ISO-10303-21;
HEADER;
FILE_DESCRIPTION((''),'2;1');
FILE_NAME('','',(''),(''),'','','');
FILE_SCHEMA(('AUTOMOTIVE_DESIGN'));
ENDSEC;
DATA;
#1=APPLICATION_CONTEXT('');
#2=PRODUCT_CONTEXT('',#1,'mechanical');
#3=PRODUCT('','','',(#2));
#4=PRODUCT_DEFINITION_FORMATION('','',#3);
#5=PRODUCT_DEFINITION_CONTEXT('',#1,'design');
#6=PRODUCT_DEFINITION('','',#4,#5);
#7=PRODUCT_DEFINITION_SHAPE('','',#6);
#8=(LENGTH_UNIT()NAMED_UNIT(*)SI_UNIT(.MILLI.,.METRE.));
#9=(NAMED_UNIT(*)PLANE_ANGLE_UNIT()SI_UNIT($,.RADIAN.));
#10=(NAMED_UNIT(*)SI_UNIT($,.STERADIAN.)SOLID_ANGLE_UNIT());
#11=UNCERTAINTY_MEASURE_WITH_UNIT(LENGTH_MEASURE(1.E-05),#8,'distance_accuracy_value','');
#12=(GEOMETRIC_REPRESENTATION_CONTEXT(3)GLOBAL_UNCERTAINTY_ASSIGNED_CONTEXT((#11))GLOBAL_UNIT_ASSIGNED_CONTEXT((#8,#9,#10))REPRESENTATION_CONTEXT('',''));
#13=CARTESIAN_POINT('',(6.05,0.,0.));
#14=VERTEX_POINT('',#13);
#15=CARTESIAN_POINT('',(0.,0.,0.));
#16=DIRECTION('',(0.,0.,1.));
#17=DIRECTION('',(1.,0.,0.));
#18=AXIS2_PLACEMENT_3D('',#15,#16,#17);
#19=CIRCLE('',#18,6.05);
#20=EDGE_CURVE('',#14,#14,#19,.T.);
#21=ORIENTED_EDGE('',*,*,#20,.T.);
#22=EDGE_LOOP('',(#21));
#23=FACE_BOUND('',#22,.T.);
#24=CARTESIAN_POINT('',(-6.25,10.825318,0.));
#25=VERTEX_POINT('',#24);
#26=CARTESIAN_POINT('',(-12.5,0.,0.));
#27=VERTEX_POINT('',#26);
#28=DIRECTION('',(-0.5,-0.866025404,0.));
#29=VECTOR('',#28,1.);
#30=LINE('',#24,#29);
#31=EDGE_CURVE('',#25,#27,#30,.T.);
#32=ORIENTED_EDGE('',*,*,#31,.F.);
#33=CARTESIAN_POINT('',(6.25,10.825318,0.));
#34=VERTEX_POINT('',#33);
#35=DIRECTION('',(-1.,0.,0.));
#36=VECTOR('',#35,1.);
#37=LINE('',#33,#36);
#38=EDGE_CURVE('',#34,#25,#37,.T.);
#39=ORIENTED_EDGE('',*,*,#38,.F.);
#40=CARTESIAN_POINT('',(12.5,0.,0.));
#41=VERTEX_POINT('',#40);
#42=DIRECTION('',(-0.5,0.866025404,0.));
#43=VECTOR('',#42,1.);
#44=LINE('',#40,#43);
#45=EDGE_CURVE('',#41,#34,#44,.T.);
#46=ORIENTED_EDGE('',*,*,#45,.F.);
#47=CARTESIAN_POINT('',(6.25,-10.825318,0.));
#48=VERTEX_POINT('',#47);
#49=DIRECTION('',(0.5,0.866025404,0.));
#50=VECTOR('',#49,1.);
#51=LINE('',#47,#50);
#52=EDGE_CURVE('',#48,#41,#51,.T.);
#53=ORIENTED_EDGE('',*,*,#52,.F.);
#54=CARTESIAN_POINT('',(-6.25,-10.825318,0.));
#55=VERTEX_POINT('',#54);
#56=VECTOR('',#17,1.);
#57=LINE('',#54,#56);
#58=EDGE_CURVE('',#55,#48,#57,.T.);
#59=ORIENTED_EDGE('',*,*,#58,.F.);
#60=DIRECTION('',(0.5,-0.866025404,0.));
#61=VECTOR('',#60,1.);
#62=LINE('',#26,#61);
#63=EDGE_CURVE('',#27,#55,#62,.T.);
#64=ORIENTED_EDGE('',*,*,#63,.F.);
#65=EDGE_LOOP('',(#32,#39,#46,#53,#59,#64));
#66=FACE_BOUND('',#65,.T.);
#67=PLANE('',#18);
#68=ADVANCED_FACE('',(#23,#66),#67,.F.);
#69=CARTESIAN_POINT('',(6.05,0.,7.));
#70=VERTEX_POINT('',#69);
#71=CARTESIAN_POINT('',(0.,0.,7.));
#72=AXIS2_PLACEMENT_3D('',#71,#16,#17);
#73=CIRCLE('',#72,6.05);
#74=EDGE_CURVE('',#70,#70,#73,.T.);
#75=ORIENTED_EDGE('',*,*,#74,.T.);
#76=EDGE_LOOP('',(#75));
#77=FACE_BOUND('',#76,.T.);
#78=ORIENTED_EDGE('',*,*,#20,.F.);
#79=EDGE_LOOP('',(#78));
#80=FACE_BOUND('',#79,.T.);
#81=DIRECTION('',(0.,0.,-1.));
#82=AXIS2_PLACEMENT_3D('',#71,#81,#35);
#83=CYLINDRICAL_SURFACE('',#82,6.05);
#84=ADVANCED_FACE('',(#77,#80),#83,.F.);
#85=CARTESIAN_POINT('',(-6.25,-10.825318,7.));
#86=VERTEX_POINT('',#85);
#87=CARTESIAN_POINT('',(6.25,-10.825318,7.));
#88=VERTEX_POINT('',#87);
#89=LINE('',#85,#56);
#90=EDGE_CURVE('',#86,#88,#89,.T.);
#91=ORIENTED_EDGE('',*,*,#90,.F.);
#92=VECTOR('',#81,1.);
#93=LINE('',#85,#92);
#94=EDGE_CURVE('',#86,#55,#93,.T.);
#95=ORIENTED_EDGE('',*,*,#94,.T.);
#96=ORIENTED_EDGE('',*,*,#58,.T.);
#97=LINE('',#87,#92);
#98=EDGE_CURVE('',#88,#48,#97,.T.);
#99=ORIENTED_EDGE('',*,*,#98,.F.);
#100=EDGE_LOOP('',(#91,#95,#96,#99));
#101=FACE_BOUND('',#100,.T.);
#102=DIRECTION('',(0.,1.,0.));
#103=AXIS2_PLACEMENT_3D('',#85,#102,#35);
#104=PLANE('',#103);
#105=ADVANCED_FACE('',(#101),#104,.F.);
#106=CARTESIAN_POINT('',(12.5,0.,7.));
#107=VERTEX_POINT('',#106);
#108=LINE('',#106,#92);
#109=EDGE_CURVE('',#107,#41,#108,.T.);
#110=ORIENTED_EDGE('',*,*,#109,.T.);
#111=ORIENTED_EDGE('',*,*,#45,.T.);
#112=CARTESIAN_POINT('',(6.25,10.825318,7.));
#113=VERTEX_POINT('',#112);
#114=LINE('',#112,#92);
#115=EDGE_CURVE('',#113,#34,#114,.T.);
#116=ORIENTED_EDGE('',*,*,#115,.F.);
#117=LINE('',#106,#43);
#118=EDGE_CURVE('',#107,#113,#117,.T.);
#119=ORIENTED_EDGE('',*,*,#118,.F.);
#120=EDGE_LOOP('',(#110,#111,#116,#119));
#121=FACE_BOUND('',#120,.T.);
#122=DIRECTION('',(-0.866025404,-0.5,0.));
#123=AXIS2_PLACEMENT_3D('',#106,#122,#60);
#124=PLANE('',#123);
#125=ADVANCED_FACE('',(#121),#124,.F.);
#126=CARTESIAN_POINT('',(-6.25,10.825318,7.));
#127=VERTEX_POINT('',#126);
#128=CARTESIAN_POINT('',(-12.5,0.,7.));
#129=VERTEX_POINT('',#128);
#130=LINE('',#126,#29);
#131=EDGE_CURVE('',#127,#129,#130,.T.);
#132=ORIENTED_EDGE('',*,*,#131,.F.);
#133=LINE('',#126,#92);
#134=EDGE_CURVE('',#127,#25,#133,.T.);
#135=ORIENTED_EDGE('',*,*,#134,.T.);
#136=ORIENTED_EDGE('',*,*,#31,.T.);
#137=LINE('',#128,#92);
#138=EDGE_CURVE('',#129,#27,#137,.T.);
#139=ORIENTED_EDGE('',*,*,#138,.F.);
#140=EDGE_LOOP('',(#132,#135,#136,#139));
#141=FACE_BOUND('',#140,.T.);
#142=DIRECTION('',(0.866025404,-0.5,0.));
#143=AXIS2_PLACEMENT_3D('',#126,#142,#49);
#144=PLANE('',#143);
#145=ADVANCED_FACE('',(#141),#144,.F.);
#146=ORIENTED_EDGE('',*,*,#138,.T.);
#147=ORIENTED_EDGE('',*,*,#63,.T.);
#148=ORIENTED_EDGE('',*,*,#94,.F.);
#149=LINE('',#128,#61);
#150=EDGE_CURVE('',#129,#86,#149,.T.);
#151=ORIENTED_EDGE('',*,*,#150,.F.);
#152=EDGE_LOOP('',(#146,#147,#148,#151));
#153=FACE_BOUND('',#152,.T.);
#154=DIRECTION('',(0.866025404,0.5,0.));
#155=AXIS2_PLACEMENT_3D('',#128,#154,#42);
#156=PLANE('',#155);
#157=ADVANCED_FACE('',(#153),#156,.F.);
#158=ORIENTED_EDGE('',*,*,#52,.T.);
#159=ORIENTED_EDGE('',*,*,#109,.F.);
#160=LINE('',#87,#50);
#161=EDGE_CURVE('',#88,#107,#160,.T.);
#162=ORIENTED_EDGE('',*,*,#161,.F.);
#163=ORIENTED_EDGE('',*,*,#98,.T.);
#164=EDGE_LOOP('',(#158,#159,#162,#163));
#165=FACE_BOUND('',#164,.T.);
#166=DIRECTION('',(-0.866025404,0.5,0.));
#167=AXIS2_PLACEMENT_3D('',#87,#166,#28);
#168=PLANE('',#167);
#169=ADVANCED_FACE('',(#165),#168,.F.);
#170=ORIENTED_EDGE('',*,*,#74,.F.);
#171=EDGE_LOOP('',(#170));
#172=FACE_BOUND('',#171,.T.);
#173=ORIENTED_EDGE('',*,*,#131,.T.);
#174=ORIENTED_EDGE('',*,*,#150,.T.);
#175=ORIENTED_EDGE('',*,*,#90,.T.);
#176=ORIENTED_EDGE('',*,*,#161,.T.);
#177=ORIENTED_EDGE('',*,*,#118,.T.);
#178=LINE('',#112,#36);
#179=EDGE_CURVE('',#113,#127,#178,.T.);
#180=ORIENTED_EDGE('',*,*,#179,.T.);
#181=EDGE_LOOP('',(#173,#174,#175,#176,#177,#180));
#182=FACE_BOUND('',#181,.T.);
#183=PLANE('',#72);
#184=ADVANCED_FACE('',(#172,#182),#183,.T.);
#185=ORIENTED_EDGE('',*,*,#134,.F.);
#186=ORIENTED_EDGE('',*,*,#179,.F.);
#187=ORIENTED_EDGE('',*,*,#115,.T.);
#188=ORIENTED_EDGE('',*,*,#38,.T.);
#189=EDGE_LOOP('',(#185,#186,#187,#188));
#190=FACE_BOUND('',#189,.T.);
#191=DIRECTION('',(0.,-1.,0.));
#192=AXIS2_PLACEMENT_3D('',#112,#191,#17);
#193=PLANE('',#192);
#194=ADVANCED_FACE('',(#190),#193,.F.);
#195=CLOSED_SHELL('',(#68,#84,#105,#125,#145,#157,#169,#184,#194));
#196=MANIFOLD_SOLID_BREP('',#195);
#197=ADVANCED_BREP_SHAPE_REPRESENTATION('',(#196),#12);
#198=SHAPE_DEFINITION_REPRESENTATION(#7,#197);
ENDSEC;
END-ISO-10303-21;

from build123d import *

# Parameters (mm, degrees)
SKETCH2_R           = 6.05
BOSS_EXTRUDE1_DEPTH = 7


with BuildPart() as part:
    # Sketch2 → Boss-Extrude1 (new body)
    with BuildSketch(Plane.XY):
        Polygon((12.5, 0), (6.25, 10.825317547), (-6.25, 10.825317547), (-12.5, 0), (-6.25, -10.825317547), (6.25, -10.825317547), align=None)
        Circle(SKETCH2_R, mode=Mode.SUBTRACT)
    extrude(amount=BOSS_EXTRUDE1_DEPTH)


solid = part.part
